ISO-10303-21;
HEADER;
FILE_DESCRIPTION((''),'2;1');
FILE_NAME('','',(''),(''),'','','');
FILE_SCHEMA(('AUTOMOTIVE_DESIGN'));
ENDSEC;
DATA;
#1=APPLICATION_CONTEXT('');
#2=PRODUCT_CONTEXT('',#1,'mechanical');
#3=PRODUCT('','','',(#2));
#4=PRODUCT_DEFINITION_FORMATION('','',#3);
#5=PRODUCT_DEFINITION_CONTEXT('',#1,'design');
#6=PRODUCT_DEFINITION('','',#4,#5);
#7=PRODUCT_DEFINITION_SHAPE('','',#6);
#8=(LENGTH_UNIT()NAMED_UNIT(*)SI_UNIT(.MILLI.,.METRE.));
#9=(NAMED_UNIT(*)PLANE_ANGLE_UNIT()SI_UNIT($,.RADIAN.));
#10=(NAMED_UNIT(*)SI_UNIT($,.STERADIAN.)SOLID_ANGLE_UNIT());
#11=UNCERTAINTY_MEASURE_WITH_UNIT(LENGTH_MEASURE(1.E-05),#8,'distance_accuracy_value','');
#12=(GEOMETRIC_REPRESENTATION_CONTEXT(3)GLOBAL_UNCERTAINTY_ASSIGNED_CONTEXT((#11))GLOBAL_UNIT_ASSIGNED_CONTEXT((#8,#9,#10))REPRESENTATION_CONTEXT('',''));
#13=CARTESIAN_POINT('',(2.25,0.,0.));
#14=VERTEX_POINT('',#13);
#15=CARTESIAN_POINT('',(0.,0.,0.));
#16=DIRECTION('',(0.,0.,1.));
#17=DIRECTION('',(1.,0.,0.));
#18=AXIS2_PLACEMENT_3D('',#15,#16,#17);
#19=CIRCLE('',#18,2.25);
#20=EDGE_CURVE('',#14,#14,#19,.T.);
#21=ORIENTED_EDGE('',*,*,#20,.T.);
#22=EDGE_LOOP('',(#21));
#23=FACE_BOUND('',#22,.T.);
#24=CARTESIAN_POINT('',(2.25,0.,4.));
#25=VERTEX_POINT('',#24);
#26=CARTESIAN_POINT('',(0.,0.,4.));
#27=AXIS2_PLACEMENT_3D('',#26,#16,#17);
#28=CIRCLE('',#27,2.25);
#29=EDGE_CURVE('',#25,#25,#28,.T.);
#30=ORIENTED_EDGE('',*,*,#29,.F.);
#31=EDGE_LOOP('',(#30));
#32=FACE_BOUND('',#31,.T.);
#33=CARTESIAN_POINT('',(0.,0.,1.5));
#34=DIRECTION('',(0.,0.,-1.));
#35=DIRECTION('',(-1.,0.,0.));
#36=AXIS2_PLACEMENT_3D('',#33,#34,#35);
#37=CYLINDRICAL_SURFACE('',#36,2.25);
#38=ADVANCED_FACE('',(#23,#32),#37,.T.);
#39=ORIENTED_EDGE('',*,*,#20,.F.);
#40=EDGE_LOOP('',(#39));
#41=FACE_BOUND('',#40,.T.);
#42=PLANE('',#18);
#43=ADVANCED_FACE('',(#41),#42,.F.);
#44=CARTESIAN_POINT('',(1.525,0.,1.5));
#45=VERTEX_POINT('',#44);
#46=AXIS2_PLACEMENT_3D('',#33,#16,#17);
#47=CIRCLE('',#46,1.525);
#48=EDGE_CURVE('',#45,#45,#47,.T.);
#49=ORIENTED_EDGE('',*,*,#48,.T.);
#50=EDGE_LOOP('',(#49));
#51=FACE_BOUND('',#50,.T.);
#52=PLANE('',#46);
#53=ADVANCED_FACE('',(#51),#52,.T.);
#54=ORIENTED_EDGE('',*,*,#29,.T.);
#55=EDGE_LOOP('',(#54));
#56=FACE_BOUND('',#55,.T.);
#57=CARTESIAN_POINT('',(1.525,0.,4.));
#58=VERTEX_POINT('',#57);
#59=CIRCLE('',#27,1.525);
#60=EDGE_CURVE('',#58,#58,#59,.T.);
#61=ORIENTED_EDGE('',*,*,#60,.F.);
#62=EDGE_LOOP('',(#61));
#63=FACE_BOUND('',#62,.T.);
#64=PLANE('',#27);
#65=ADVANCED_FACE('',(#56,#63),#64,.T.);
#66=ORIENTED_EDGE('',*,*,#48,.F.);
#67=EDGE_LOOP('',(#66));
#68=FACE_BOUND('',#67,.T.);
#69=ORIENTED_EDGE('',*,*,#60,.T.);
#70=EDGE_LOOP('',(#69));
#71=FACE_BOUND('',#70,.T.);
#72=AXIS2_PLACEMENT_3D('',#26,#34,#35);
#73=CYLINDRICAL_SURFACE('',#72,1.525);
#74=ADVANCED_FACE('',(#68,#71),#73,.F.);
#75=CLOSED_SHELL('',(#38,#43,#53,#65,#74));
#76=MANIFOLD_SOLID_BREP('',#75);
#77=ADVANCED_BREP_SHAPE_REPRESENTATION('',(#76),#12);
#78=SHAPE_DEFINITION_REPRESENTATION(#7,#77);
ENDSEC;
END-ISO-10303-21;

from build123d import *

# Parameters (mm, degrees)
SKETCH_1_R          = 2.25
EXTRUDE_1_DEPTH     = 1.5
SKETCH_3_R          = 2.25
EXTRUDE_2_DEPTH     = 2.5
SKETCH_4_R          = 1.525
CUT_EXTRUDE_1_DEPTH = 3.5


with BuildPart() as part:
    # 草图1 → 凸台-拉伸1 (new body)
    with BuildSketch(Plane.XY):
        Circle(SKETCH_1_R)
    extrude(amount=EXTRUDE_1_DEPTH)

    # 草图3 → 凸台-拉伸2 (add)
    with BuildSketch(Plane.XY.offset(1.5)):
        Circle(SKETCH_3_R)
    extrude(amount=EXTRUDE_2_DEPTH)

    # 草图4 → 切除-拉伸1 (cut, through all)
    with BuildSketch(Plane.XY.offset(1.5)):
        Circle(SKETCH_4_R)
    extrude(amount=CUT_EXTRUDE_1_DEPTH, mode=Mode.SUBTRACT)


solid = part.part
